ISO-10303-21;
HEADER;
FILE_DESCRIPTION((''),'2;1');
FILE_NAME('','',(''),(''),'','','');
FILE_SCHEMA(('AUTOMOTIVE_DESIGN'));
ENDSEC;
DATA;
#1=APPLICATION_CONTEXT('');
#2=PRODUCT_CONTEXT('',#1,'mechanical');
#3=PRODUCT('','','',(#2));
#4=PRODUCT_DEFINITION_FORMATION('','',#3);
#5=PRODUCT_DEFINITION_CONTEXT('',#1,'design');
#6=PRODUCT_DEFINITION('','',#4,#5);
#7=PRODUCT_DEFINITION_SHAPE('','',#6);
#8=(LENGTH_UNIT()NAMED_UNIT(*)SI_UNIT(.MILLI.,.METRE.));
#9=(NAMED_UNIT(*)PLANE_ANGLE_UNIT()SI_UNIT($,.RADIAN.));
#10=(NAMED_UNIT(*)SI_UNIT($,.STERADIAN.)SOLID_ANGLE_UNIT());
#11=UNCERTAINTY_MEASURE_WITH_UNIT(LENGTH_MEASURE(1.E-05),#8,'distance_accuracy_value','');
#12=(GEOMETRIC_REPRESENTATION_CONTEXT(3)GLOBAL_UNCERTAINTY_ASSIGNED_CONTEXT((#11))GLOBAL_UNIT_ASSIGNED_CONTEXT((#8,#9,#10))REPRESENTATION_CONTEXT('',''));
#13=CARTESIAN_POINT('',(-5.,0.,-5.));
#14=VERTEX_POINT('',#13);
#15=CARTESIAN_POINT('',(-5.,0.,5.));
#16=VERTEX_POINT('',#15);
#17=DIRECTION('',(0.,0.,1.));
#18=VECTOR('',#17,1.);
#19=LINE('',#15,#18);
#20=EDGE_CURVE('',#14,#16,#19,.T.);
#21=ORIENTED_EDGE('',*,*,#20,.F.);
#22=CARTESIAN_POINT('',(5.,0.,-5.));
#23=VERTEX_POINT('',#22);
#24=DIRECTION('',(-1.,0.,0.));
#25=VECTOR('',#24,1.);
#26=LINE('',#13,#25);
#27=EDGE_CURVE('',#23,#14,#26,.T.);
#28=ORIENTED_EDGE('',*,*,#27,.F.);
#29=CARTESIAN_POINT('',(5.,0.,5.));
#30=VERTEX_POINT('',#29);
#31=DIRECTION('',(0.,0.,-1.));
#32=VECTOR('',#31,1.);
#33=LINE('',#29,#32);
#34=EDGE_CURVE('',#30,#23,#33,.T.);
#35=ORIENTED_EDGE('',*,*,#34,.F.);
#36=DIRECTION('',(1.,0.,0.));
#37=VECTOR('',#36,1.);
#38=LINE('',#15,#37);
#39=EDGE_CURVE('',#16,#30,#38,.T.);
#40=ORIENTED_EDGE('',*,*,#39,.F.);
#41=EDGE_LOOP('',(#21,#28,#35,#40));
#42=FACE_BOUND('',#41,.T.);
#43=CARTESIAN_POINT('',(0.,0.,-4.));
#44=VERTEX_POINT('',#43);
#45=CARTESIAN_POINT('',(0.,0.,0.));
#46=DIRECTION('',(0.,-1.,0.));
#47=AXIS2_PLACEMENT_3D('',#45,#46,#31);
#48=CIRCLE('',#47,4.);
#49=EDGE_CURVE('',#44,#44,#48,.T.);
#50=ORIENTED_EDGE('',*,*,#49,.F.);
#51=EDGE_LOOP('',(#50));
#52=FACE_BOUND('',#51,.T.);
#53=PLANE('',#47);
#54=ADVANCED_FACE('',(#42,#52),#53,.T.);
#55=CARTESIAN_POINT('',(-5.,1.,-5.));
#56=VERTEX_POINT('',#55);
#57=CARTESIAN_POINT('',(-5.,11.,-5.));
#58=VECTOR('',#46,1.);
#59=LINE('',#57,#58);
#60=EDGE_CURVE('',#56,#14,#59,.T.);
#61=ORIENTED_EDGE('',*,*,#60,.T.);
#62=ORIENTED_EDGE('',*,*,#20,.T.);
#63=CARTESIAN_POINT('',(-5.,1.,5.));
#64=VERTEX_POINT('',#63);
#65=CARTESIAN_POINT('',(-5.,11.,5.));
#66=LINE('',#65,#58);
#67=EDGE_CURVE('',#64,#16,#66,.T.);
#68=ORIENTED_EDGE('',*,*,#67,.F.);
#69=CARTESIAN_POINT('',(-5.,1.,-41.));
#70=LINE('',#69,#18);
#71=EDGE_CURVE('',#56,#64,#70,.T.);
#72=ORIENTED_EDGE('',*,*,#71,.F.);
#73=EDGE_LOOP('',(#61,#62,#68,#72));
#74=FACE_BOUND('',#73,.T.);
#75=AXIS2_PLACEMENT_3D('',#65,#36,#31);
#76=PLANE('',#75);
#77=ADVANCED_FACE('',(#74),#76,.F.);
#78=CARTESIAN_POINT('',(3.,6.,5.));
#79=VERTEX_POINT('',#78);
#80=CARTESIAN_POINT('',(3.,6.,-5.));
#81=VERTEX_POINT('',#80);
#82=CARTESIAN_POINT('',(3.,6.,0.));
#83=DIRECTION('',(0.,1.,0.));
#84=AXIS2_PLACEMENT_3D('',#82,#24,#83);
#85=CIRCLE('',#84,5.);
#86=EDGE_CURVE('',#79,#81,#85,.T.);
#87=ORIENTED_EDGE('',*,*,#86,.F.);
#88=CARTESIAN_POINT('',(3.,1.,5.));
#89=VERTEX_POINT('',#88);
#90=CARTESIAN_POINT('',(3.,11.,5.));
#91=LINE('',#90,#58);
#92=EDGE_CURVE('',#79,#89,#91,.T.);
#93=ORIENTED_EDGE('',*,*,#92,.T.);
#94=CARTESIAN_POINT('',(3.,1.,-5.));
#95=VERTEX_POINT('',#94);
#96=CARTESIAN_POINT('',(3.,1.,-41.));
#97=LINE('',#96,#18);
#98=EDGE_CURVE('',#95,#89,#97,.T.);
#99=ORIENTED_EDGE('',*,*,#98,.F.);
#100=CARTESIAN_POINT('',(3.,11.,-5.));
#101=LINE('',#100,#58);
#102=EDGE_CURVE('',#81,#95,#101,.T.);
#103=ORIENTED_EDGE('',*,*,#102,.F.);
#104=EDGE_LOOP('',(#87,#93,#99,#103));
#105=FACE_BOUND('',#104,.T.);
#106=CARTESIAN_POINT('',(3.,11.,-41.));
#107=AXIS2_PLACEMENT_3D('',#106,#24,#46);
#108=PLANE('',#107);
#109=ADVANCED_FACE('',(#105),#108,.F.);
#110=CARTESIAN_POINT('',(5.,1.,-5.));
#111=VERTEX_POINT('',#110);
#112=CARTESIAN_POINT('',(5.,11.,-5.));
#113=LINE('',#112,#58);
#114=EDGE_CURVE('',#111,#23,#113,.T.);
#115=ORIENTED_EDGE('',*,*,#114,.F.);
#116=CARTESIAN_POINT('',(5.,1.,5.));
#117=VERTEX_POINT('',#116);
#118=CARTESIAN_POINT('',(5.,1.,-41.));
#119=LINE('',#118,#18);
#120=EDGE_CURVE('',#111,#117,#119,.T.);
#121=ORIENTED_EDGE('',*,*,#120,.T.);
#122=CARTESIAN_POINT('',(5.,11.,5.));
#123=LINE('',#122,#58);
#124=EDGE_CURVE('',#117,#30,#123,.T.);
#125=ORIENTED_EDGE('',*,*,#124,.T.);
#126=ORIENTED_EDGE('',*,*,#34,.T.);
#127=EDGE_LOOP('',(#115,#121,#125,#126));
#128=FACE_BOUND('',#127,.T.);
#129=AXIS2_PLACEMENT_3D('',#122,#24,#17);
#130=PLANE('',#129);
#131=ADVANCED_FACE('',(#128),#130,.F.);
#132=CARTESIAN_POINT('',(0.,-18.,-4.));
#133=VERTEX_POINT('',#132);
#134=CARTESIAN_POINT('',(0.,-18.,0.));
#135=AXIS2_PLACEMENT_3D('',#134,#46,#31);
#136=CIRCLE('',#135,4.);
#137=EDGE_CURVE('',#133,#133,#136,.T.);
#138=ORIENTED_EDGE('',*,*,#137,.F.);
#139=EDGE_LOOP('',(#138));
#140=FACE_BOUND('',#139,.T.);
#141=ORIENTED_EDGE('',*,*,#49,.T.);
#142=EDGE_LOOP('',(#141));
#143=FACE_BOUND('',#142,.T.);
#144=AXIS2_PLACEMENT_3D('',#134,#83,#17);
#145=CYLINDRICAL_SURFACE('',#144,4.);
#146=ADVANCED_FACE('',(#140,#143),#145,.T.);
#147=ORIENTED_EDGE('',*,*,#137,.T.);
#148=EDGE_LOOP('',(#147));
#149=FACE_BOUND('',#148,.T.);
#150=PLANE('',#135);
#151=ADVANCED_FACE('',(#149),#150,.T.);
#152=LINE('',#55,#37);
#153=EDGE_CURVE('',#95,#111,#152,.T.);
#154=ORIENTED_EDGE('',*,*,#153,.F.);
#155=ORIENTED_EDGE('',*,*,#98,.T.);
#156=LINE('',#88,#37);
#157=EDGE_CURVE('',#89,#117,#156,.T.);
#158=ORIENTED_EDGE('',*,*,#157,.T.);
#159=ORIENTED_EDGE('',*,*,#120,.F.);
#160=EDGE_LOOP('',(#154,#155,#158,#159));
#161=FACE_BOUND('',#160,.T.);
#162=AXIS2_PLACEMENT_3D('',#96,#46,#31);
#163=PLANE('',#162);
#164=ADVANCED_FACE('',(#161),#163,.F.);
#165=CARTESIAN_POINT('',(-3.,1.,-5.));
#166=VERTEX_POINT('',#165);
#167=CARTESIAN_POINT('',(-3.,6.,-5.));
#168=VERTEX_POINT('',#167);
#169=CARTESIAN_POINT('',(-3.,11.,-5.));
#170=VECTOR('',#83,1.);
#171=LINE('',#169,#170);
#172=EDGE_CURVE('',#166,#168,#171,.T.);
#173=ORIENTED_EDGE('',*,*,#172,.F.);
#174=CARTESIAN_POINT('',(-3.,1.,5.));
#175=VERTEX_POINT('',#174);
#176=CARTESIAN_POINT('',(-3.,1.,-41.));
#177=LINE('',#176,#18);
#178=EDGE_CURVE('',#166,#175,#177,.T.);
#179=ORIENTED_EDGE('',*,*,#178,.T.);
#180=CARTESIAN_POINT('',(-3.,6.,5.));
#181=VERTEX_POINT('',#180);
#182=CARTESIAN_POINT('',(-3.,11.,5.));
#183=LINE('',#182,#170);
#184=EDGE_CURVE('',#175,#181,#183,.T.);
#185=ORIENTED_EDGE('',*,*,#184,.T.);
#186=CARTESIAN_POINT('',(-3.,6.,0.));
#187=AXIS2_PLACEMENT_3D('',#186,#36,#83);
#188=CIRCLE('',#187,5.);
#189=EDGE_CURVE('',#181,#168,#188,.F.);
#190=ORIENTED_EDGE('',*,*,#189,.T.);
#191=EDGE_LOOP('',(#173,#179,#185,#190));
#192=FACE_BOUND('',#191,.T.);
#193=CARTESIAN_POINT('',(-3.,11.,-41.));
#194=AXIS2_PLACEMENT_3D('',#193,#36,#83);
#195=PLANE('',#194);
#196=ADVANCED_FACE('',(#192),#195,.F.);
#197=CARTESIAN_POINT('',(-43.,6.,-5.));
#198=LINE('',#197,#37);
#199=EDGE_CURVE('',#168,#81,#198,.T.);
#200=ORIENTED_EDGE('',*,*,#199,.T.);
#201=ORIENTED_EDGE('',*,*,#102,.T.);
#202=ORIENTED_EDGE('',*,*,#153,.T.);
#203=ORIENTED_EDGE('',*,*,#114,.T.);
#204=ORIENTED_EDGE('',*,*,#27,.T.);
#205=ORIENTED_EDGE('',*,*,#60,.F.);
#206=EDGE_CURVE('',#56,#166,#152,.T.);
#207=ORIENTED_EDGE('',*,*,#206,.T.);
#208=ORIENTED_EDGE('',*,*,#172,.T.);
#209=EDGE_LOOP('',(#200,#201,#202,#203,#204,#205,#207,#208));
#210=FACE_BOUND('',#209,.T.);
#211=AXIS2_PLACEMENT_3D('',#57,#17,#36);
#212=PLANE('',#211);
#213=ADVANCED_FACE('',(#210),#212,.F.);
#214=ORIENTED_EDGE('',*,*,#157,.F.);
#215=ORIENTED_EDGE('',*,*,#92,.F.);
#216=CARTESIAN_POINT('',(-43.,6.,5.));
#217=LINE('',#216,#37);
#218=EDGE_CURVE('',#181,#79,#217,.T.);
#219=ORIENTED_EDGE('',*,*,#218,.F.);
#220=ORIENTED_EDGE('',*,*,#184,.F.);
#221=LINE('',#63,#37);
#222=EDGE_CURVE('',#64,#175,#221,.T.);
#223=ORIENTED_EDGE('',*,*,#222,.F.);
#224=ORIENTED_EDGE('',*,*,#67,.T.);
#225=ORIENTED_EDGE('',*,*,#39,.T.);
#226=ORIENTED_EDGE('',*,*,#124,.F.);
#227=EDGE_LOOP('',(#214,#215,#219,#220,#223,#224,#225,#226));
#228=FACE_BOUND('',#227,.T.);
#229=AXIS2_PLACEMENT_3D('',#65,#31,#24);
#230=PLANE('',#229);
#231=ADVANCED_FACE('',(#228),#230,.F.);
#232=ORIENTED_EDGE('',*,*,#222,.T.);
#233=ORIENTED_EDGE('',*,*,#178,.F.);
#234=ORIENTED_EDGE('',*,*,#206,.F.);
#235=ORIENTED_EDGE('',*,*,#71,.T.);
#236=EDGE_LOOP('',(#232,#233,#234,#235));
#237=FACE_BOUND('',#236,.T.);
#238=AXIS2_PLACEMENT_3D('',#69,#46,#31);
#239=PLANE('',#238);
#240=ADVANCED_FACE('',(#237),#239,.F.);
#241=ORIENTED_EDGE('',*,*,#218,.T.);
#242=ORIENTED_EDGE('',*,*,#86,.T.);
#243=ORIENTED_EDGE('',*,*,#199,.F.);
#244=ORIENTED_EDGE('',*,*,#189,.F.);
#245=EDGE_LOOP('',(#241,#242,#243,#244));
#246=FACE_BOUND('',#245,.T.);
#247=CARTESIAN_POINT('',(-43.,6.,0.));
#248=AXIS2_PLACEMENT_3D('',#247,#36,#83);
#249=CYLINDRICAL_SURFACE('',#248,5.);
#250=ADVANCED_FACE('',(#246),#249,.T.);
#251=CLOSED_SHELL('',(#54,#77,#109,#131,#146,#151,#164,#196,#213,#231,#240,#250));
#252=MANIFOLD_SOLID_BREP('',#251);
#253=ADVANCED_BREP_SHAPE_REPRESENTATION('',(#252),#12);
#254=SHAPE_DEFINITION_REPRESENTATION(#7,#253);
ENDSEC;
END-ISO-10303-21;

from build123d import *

# Parameters (mm, degrees)
SKETCH_1_W          = 10
SKETCH_1_H          = 10
EXTRUDE_1_DEPTH     = 11
SKETCH_2_R          = 4
EXTRUDE_2_DEPTH     = 18
SKETCH_3_W          = 2
SKETCH_3_H          = 10
CUT_EXTRUDE_1_DEPTH = 46
CUT_EXTRUDE_2_DEPTH = 46


with BuildPart() as part:
    # 草图1 → 凸台-拉伸1 (new body)
    with BuildSketch(Plane(origin=(0, 0, 0), x_dir=(1, 0, 0), z_dir=(0, 1, 0))):
        Rectangle(SKETCH_1_W, SKETCH_1_H)
    extrude(amount=EXTRUDE_1_DEPTH)

    # 草图2 → 凸台-拉伸2 (add)
    with BuildSketch(Plane.XZ):
        Circle(SKETCH_2_R)
    extrude(amount=EXTRUDE_2_DEPTH)

    # 草图3 → 切除-拉伸1 (cut)
    with BuildSketch(Plane.XY.offset(5)):
        with Locations((-4, 6)):
            Rectangle(SKETCH_3_W, SKETCH_3_H)
        with Locations((4, 6)):
            Rectangle(SKETCH_3_W, SKETCH_3_H)
    extrude(amount=-CUT_EXTRUDE_1_DEPTH, mode=Mode.SUBTRACT)

    # 草图4 → 切除-拉伸2 (cut)
    with BuildSketch(Plane(origin=(3, 0, 0), x_dir=(0, 0, -1), z_dir=(1, 0, 0))):
        with BuildLine():
            Line((-5, 6), (-5, 15.436246411))
            Line((-5, 15.436246411), (5, 15.436246411))
            Line((5, 15.436246411), (5, 6))
            ThreePointArc((5, 6), (0, 11), (-5, 6))
        make_face()
    extrude(amount=-CUT_EXTRUDE_2_DEPTH, mode=Mode.SUBTRACT)


solid = part.part
